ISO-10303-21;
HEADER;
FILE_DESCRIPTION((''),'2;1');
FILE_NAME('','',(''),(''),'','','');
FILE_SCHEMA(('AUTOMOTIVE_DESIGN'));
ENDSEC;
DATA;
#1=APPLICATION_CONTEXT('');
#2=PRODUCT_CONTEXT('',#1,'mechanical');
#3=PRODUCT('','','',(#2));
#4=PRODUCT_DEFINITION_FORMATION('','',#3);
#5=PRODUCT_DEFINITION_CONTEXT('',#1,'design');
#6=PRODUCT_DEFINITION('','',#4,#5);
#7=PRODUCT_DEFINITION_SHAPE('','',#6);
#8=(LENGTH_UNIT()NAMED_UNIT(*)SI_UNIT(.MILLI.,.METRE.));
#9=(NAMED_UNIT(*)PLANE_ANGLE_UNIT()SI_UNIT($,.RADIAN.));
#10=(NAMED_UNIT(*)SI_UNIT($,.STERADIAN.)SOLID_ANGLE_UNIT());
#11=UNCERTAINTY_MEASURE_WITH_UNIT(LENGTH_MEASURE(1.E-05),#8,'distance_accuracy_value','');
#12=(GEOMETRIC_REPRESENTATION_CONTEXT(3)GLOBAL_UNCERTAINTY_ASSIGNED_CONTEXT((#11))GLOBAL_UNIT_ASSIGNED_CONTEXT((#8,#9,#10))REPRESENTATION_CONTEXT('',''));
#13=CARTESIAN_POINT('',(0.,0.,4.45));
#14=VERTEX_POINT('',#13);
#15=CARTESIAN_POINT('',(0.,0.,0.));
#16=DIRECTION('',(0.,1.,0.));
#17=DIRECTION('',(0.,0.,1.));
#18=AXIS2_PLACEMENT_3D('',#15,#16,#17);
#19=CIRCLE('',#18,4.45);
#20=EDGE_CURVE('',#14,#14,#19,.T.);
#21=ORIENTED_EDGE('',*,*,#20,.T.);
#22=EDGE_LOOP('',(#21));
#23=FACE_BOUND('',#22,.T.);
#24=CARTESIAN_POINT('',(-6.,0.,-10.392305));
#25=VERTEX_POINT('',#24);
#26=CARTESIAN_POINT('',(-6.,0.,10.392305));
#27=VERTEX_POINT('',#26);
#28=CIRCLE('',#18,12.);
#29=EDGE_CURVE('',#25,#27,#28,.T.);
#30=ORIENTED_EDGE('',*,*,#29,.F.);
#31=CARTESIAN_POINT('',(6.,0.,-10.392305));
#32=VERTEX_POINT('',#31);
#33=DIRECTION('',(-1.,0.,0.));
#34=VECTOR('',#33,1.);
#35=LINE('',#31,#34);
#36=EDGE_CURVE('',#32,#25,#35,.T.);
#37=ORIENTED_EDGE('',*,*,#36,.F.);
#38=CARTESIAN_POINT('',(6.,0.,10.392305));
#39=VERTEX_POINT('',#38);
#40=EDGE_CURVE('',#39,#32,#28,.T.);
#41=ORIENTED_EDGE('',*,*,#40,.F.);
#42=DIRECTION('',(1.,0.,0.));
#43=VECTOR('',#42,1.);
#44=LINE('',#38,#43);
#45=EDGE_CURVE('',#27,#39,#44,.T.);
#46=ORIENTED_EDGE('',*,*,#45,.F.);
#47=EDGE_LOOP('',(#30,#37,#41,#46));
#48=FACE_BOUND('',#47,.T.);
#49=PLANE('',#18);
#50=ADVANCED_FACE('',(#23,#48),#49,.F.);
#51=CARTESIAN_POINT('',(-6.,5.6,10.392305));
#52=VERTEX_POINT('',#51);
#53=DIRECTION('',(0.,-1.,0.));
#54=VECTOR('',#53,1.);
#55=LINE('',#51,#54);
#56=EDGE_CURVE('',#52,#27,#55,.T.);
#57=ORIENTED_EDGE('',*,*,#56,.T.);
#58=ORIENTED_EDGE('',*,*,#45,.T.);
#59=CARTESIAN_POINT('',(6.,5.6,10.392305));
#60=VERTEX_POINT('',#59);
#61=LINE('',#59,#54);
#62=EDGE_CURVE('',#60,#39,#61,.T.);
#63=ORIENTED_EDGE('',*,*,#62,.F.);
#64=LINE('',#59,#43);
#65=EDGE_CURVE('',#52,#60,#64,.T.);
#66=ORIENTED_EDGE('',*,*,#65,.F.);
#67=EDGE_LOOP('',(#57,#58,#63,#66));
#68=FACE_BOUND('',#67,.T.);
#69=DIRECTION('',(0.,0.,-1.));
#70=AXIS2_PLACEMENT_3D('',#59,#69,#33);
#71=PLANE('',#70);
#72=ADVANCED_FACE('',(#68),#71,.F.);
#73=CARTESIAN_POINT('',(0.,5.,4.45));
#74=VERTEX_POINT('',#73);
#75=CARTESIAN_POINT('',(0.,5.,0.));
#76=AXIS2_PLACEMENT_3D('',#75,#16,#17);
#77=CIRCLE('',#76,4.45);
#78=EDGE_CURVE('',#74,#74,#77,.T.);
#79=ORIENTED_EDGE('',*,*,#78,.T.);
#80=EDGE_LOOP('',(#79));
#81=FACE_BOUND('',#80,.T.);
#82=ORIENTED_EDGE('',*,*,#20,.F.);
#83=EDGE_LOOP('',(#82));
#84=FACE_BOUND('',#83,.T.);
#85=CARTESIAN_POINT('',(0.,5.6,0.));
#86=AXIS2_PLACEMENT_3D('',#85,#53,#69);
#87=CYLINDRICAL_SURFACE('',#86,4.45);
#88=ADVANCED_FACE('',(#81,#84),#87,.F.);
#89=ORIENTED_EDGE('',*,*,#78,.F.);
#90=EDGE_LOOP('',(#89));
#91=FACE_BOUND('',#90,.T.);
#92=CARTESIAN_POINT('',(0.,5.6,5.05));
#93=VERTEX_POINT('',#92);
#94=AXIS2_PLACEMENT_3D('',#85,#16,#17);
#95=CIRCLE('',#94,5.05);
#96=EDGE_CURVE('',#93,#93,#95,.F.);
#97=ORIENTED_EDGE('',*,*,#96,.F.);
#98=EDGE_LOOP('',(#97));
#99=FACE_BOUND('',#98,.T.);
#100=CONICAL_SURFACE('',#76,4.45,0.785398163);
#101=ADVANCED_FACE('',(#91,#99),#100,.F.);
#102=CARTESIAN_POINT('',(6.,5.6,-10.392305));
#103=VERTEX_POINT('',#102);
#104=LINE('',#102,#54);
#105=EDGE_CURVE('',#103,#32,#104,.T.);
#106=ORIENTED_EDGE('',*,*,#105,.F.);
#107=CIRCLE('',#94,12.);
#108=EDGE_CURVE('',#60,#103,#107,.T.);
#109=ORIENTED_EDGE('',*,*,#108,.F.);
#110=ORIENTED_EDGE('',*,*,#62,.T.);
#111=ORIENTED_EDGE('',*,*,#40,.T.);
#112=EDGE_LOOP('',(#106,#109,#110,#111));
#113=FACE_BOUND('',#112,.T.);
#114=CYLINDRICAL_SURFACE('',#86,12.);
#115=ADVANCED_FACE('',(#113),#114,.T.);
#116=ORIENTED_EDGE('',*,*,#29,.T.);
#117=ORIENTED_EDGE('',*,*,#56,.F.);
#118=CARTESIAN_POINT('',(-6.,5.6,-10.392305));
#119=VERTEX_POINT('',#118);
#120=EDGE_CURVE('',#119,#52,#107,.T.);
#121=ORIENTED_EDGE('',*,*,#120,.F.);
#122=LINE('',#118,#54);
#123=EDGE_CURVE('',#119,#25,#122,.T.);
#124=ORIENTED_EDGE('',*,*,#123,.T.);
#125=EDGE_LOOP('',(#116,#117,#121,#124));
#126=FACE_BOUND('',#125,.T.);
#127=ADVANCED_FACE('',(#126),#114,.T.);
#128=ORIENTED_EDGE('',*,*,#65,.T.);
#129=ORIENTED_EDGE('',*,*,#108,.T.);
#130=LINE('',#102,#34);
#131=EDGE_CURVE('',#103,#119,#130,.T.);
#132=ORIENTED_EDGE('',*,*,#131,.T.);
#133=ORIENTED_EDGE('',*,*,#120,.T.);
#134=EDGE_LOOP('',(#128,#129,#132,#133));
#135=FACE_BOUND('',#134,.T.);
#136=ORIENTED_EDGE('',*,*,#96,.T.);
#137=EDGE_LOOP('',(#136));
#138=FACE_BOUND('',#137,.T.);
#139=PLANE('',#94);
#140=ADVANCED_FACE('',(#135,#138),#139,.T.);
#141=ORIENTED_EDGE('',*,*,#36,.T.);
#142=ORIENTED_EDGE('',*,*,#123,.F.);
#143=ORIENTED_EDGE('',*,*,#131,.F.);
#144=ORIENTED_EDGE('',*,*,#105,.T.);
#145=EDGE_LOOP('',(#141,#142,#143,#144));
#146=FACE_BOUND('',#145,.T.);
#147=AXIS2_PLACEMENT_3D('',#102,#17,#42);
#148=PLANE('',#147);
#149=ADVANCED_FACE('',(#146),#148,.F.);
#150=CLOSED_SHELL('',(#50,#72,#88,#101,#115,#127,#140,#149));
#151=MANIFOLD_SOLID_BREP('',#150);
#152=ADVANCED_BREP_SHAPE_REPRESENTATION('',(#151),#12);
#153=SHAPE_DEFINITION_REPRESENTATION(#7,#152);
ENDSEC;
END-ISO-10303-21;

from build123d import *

# Parameters (mm, degrees)
SKETCH1_R           = 4.45
BOSS_EXTRUDE1_DEPTH = 5.6
CHAMFER1_SIZE       = 0.6


with BuildPart() as part:
    # Sketch1 → Boss-Extrude1 (new body)
    with BuildSketch(Plane(origin=(0, 0, 0), x_dir=(1, 0, 0), z_dir=(0, 1, 0))):
        with BuildLine():
            Line((6, 10.392304845), (-6, 10.392304845))
            ThreePointArc((-6, 10.392304845), (-12, 0), (-6, -10.392304845))
            Line((-6, -10.392304845), (6, -10.392304845))
            ThreePointArc((6, -10.392304845), (12, 0), (6, 10.392304845))
        make_face()
        Circle(SKETCH1_R, mode=Mode.SUBTRACT)
    extrude(amount=BOSS_EXTRUDE1_DEPTH)

    # Chamfer1
    chamfer1_edges = [part.edges().sort_by_distance(p)[0] for p in [
        (-4.45, 5.6, 0),
    ]]
    chamfer(chamfer1_edges, length=CHAMFER1_SIZE)


solid = part.part
